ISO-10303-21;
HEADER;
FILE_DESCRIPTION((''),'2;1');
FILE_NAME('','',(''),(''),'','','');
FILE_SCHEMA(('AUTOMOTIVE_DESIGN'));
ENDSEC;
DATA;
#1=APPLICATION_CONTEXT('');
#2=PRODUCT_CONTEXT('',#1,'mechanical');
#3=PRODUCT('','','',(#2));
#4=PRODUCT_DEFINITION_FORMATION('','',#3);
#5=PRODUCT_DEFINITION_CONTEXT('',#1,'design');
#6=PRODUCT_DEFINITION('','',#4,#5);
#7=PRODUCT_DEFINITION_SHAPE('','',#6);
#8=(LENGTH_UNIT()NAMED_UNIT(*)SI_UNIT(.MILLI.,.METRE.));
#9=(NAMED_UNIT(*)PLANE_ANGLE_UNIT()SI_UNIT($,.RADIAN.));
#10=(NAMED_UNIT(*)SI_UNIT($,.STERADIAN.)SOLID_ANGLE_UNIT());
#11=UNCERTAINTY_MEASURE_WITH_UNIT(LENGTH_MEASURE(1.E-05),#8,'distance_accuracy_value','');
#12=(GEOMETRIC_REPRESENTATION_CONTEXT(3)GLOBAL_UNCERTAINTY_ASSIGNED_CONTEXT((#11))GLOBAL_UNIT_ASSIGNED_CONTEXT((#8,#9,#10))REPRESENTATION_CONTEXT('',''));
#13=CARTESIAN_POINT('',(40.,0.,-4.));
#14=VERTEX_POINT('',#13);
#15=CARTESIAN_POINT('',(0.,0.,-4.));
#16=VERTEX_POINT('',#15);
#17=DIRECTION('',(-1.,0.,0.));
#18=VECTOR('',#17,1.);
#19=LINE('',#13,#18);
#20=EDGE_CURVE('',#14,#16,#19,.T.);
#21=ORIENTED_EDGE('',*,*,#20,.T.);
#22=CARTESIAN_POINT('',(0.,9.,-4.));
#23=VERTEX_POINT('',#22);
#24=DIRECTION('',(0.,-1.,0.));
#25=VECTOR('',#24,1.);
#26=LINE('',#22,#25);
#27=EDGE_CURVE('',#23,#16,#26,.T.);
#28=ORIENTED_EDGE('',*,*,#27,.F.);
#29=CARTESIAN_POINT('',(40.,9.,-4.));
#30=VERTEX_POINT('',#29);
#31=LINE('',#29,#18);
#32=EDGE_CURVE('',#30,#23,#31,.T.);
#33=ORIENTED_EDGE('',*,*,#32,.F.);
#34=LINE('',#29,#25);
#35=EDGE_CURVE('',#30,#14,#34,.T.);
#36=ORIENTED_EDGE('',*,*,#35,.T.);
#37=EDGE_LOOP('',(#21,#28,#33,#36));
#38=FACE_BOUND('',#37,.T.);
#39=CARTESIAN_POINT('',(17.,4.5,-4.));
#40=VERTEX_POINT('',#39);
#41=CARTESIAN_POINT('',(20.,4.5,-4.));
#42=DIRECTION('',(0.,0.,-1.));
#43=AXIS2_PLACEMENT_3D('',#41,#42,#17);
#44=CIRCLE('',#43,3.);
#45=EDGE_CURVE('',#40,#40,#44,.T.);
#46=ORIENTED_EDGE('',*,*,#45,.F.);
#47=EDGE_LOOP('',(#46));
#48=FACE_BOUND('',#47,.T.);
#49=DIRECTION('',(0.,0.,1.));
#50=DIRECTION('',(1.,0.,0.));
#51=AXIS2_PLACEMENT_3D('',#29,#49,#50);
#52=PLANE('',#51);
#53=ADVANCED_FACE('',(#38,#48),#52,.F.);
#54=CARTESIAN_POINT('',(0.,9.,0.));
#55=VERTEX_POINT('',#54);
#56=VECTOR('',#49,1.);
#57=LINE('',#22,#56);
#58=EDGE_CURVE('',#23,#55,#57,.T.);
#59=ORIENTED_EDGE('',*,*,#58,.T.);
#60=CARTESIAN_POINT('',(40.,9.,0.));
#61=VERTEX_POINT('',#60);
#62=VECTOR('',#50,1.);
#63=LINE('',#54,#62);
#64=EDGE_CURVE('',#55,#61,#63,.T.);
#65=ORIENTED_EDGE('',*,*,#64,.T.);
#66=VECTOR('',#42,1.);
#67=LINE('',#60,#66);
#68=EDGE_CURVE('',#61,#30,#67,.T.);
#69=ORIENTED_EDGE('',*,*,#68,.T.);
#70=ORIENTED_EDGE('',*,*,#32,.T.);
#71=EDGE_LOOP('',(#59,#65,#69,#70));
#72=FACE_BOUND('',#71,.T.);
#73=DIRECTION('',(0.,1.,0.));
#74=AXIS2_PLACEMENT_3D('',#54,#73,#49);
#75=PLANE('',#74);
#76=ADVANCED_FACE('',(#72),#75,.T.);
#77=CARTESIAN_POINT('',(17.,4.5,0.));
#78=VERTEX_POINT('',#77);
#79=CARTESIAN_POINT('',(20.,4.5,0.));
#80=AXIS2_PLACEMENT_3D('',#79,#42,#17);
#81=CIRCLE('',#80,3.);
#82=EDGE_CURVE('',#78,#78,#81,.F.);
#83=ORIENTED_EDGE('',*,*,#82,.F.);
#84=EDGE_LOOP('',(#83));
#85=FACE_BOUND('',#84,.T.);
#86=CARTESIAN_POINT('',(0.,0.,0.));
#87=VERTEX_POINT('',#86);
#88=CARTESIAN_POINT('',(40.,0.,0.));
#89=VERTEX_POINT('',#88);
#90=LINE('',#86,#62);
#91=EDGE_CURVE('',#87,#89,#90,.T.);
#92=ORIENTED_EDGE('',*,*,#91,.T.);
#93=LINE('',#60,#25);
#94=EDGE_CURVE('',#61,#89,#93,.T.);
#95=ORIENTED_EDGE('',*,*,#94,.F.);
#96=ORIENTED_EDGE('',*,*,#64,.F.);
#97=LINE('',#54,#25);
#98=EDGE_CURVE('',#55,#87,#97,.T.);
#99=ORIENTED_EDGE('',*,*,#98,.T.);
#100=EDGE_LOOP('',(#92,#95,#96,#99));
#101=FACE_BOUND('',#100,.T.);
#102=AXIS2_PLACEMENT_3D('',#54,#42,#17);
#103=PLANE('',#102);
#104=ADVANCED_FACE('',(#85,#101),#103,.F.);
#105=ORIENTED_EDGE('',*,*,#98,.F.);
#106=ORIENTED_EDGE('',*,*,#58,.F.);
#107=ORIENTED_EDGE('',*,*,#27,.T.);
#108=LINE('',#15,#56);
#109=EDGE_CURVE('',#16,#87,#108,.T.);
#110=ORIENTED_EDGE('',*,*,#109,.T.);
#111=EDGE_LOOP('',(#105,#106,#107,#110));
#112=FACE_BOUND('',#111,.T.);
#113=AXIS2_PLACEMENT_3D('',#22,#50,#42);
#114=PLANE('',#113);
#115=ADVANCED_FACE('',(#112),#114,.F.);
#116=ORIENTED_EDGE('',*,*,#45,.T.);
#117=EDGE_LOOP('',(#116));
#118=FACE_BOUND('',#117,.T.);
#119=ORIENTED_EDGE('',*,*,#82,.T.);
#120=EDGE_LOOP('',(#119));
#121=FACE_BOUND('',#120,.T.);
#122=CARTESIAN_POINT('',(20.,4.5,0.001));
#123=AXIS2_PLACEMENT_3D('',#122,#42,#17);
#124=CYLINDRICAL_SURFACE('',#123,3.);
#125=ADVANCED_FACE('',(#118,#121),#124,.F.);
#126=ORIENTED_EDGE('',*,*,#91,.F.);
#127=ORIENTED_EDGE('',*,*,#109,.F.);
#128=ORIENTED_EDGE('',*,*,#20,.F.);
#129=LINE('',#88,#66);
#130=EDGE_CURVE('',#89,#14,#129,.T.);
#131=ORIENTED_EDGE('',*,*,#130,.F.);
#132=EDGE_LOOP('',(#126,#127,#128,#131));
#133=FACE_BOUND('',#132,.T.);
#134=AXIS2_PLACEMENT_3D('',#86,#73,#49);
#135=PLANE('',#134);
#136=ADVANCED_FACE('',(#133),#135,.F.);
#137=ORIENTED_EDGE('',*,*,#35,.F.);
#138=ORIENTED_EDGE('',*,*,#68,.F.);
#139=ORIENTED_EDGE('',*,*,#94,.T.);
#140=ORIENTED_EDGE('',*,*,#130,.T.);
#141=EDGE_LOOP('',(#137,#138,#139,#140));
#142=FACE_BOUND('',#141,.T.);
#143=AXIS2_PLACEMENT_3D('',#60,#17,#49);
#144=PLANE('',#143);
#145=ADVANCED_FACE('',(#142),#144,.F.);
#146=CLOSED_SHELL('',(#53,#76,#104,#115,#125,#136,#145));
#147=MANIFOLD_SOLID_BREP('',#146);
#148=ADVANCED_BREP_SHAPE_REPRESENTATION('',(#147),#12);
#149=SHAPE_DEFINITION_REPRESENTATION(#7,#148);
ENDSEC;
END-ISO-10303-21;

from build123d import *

# Parameters (mm, degrees)
SKETCH1_W           = 40
SKETCH1_H           = 4
BOSS_EXTRUDE1_DEPTH = 9
CUT_EXTRUDE1_REACH  = 43.195
SKETCH2_R           = 3


with BuildPart() as part:
    # Sketch1 → Boss-Extrude1 (new body)
    with BuildSketch(Plane(origin=(0, 0, 0), x_dir=(1, 0, 0), z_dir=(0, 1, 0))):
        with Locations((20, 2)):
            Rectangle(SKETCH1_W, SKETCH1_H)
    extrude(amount=BOSS_EXTRUDE1_DEPTH)

    # Sketch2 → Cut-Extrude1 (cut, up to next)
    with BuildSketch(Plane(origin=(0, 0, -4), x_dir=(-1, 0, 0), z_dir=(0, 0, -1)), mode=Mode.PRIVATE) as cut_extrude1_sk1:
        with Locations((-20, 4.5)):
            Circle(SKETCH2_R)
    cut_extrude1_tool1 = extrude(cut_extrude1_sk1.sketch, amount=-CUT_EXTRUDE1_REACH, mode=Mode.PRIVATE) & part.part
    add(cut_extrude1_tool1.solids().sort_by_distance((20, 4.5, -4))[0], mode=Mode.SUBTRACT)


solid = part.part
